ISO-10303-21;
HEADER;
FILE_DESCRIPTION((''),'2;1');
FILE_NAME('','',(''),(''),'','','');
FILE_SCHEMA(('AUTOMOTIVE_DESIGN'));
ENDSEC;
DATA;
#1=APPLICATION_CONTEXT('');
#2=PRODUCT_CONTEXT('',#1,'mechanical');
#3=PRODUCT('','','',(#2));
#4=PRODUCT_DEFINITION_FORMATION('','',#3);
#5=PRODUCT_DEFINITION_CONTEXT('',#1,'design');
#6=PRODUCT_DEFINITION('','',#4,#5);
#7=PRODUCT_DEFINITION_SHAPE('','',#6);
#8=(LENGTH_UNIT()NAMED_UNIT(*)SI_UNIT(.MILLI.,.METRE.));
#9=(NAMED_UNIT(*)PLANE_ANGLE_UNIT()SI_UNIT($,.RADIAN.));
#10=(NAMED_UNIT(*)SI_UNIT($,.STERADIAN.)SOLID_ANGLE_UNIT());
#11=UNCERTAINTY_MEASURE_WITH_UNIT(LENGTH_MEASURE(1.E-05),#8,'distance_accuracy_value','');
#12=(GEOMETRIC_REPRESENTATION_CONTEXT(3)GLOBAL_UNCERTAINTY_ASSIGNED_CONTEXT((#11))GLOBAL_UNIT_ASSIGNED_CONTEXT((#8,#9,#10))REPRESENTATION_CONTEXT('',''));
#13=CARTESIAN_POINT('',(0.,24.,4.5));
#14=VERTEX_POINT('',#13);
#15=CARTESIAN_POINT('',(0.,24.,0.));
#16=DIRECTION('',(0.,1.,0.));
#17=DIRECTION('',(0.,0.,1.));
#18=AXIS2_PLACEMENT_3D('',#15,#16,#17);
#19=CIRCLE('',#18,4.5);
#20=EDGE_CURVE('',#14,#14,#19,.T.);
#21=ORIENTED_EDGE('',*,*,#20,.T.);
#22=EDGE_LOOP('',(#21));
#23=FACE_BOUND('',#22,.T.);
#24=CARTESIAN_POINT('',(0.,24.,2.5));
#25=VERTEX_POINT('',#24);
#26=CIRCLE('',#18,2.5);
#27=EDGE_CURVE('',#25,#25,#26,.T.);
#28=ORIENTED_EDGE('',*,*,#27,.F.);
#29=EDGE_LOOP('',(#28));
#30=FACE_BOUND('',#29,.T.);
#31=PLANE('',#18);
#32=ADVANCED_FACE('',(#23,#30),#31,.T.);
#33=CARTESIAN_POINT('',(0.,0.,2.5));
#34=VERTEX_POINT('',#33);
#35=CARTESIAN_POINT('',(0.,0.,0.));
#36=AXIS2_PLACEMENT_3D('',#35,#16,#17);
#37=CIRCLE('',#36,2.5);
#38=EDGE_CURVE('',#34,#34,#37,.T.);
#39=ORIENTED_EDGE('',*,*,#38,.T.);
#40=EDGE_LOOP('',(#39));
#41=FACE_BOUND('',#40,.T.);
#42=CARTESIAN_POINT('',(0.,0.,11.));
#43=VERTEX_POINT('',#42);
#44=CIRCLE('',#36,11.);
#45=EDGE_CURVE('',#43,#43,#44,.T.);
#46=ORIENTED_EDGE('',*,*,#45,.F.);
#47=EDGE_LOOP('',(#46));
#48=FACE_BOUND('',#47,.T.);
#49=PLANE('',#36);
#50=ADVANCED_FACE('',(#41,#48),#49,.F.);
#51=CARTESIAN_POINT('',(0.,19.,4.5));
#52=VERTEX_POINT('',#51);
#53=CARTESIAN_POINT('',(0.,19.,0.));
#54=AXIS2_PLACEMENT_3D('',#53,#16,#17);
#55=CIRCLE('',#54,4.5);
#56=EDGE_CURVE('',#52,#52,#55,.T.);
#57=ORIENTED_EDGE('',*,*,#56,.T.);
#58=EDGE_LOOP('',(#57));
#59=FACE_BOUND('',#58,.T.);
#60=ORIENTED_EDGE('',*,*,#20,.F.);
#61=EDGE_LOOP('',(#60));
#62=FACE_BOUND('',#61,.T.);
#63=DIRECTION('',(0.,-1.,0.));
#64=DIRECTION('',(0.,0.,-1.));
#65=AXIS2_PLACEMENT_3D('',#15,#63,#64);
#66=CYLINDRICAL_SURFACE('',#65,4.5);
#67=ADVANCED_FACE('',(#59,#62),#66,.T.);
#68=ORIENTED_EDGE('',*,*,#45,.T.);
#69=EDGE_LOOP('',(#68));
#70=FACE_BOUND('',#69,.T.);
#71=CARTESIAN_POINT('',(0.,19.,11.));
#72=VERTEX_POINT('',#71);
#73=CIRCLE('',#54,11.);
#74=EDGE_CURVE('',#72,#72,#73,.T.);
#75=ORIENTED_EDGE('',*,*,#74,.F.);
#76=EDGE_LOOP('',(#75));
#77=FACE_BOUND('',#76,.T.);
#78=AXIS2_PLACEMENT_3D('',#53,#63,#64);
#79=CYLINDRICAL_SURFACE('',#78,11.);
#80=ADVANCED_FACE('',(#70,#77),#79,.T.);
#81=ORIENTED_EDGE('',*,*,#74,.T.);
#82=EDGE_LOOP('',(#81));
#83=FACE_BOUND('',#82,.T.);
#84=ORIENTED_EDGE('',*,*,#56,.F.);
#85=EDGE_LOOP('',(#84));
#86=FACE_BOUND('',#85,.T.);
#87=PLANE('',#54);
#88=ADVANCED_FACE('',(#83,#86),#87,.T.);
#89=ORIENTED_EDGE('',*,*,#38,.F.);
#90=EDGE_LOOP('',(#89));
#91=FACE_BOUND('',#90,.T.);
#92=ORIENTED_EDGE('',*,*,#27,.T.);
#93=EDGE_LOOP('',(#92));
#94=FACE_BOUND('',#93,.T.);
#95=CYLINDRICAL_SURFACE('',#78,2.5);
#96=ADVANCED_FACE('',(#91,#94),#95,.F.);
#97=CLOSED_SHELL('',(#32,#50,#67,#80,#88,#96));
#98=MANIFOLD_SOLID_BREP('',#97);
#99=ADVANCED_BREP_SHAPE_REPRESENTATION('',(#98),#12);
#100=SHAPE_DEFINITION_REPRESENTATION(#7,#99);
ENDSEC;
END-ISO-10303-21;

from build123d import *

# Parameters (mm, degrees)
SKETCH1_R           = 11
SKETCH1_R_2         = 2.5
BOSS_EXTRUDE1_DEPTH = 19
SKETCH2_R           = 4.5
SKETCH2_R_2         = 2.5
BOSS_EXTRUDE4_DEPTH = 5


with BuildPart() as part:
    # Sketch1 → Boss-Extrude1 (new body)
    with BuildSketch(Plane(origin=(0, 0, 0), x_dir=(1, 0, 0), z_dir=(0, 1, 0))):
        with Locations(Location((0, 0, 0), (0, 0, 270))):
            Circle(SKETCH1_R)
        with Locations(Location((0, 0, 0), (0, 0, 270))):
            Circle(SKETCH1_R_2, mode=Mode.SUBTRACT)
    extrude(amount=BOSS_EXTRUDE1_DEPTH)

    # Sketch2 → Boss-Extrude4 (add)
    with BuildSketch(Plane(origin=(0, 19, 0), x_dir=(1, 0, 0), z_dir=(0, 1, 0))):
        with Locations(Location((0, 0, 0), (0, 0, 270))):
            Circle(SKETCH2_R)
        with Locations(Location((0, 0, 0), (0, 0, 270))):
            Circle(SKETCH2_R_2, mode=Mode.SUBTRACT)
    extrude(amount=BOSS_EXTRUDE4_DEPTH)


solid = part.part
